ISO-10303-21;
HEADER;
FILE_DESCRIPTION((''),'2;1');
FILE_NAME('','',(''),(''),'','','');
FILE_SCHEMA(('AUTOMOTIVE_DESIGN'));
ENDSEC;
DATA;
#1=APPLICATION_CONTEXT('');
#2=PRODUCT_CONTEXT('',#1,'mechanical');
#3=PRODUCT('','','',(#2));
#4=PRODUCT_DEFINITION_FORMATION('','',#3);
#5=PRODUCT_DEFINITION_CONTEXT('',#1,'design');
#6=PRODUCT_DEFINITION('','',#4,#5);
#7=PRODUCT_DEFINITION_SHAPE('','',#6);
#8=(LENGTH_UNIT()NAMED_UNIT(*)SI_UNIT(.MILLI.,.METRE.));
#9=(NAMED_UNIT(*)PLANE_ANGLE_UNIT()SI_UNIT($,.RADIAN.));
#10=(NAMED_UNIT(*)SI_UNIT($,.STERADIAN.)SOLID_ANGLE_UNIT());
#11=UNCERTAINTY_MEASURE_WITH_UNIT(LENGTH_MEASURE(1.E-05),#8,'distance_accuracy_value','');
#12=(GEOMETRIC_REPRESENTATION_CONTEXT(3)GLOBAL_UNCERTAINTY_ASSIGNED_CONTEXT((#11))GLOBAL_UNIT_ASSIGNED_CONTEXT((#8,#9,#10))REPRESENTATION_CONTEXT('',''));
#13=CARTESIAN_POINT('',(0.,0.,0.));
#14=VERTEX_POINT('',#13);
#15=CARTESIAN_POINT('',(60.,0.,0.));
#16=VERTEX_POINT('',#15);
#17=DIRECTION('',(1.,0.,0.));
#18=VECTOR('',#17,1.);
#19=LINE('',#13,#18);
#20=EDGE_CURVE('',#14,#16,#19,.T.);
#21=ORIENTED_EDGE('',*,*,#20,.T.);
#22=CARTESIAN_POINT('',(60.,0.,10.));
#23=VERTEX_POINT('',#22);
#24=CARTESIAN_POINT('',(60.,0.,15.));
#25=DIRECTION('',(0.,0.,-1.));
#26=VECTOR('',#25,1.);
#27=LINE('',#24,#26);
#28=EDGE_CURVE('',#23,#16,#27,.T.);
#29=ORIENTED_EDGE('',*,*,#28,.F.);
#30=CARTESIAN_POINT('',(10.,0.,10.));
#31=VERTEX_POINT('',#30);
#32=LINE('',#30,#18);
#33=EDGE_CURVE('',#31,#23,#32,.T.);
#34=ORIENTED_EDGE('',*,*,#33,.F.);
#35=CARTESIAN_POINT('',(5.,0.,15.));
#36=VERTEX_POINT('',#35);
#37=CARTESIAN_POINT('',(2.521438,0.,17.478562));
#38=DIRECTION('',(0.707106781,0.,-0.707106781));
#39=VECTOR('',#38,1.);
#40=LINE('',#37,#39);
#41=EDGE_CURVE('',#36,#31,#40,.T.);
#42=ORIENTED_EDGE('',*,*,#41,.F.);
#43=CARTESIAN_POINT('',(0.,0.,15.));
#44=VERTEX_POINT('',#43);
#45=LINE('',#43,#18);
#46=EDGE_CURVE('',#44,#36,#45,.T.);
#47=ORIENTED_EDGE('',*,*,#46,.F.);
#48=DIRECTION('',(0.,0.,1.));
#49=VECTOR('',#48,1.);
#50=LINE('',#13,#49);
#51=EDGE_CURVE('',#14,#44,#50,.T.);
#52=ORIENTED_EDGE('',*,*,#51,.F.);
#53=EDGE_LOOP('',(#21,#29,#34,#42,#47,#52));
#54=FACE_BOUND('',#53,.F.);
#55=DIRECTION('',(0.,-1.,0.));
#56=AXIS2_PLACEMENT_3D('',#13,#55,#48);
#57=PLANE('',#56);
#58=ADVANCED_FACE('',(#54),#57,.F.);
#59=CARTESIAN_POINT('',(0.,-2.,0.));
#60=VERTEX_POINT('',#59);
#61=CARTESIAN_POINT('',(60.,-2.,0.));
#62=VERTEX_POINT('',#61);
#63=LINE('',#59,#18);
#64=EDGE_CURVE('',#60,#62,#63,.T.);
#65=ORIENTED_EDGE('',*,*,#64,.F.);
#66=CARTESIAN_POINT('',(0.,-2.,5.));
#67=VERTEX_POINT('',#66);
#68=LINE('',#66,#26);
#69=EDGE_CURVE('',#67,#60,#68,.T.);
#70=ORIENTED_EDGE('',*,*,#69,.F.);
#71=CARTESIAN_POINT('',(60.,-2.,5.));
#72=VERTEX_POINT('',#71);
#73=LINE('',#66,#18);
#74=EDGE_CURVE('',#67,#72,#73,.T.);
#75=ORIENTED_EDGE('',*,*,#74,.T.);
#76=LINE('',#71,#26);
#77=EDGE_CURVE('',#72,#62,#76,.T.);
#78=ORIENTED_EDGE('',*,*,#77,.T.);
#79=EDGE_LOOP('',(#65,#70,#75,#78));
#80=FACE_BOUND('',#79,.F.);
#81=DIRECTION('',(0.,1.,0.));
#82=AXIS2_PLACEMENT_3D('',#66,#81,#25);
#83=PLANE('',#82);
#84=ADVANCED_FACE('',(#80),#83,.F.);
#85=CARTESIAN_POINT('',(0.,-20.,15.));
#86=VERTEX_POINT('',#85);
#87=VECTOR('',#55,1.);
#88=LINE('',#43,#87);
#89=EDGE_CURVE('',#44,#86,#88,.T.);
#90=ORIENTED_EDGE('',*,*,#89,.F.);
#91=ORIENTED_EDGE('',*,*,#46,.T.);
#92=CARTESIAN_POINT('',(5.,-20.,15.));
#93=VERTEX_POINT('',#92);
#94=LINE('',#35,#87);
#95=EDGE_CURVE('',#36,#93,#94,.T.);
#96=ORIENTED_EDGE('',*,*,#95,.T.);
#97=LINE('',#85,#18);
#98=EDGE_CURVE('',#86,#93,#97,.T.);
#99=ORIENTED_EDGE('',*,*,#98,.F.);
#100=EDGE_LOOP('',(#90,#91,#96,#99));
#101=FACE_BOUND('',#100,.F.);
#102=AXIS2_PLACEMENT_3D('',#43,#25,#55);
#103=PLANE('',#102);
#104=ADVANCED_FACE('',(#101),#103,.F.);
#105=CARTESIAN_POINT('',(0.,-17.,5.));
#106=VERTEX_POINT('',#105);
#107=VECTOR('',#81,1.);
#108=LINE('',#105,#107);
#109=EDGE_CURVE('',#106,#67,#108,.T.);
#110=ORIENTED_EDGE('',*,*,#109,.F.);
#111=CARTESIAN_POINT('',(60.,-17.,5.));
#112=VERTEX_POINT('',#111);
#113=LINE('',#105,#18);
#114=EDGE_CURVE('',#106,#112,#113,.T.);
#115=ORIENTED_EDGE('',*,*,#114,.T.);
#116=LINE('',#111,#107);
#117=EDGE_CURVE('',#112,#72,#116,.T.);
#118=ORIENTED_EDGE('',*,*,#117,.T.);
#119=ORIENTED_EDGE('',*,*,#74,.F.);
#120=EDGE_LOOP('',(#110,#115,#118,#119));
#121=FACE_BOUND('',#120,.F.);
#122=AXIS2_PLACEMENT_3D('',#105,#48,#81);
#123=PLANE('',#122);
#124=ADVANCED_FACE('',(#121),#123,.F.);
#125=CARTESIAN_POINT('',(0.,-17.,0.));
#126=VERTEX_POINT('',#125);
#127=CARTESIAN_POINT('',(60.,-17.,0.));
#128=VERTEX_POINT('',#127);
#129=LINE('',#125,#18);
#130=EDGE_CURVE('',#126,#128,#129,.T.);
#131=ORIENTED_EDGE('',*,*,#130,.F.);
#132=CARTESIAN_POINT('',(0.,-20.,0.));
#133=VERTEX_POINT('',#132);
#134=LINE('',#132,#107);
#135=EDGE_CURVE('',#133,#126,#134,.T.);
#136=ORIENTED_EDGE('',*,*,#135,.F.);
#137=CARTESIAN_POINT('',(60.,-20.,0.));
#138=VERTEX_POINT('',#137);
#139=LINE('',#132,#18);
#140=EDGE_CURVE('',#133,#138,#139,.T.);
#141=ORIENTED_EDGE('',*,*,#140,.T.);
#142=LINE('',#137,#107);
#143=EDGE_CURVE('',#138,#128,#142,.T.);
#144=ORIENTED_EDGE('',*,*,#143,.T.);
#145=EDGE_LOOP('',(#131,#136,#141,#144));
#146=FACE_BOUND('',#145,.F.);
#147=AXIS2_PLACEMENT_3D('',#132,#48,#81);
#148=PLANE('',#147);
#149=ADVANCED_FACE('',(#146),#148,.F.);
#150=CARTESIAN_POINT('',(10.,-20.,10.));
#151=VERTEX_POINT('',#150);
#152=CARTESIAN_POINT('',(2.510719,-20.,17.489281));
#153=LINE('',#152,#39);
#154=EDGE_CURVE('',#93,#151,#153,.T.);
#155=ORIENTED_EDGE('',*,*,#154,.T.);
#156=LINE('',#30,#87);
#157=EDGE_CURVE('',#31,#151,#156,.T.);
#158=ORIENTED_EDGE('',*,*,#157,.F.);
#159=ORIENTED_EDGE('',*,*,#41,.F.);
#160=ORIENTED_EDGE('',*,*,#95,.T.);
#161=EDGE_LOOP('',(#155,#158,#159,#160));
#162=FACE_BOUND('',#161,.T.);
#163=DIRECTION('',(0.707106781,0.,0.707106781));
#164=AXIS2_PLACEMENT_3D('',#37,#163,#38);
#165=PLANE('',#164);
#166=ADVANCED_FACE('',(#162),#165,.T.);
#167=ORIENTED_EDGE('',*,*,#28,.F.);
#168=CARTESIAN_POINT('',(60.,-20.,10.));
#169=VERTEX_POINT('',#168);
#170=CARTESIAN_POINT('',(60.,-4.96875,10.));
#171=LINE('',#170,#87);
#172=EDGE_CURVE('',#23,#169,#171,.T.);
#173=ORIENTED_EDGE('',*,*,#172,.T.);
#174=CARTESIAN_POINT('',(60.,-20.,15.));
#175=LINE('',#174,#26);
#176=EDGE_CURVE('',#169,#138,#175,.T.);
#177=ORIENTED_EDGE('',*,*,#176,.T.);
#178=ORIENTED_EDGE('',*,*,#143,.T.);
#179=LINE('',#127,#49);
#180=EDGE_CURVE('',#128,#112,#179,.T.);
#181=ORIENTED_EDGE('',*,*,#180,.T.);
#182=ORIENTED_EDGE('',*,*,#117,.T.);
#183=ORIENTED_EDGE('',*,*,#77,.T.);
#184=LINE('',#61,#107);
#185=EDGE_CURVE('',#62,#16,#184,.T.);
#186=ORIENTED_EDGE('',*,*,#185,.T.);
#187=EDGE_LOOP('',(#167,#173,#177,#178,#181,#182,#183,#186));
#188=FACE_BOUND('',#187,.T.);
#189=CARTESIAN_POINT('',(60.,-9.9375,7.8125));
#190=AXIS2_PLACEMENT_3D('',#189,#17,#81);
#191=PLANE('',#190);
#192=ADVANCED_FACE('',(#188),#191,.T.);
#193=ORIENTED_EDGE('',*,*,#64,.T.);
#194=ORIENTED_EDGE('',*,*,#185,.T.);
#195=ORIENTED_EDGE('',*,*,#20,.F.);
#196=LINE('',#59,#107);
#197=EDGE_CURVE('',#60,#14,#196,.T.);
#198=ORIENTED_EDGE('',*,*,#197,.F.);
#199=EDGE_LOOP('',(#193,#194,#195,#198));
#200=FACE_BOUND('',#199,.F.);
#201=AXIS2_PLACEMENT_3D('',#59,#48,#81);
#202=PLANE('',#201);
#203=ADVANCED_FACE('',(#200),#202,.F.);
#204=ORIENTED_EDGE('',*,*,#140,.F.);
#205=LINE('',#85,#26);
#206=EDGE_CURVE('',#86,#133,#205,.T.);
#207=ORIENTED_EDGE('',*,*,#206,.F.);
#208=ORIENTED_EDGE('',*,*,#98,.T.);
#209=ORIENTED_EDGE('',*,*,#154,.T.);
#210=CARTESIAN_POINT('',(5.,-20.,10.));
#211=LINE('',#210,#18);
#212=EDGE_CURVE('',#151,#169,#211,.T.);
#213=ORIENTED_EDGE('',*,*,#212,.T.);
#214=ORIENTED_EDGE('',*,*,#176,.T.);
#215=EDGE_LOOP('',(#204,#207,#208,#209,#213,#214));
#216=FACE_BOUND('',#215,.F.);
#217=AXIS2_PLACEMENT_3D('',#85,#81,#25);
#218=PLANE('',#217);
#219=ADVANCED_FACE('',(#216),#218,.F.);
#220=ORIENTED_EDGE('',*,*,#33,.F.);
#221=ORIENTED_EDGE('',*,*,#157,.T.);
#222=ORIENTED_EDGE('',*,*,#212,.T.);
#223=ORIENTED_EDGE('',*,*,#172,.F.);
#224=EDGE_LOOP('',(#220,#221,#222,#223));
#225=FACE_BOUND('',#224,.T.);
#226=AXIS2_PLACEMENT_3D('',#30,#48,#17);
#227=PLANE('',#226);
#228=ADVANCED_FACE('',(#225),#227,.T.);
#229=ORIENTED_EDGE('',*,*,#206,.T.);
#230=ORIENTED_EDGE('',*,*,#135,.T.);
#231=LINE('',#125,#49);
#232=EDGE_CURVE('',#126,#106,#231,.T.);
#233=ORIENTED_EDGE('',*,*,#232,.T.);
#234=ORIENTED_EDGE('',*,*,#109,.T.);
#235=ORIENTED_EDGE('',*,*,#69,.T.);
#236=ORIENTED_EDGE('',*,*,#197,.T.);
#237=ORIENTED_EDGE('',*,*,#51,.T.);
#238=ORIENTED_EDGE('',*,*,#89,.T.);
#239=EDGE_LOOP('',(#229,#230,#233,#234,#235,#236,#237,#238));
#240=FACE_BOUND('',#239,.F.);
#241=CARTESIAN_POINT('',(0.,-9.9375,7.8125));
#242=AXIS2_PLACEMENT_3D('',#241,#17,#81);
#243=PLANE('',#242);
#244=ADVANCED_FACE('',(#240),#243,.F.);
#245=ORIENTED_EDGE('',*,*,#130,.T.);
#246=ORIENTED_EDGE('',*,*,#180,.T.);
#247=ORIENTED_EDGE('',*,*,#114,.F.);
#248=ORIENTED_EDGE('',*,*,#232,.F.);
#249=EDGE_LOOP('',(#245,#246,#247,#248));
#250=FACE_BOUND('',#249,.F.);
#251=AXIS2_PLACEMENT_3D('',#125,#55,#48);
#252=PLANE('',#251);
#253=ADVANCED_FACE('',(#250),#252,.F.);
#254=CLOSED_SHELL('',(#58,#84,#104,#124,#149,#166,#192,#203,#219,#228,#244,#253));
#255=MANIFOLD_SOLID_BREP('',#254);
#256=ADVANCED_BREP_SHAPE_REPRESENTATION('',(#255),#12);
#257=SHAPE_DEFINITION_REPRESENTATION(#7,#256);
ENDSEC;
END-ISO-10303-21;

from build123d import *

# Parameters (mm, degrees)
F1_DEPTH      = 60
F3_DEPTH      = 25
F3_DEPTH_BACK = 25


with BuildPart() as f1:
    # F0 (on Right) → F1 (new body)
    with BuildSketch(Plane.YZ):
        Polygon((-2, 0), (0, 0), (0, 15), (-20, 15), (-20, 0), (-17, 0), (-17, 5), (-2, 5), align=None)
    extrude(amount=F1_DEPTH)

    # F2 (on Front) → F3 (cut, two sides)
    with BuildSketch(Plane.XZ) as f3_sk:
        Polygon((10, 10), (65.6480420604, 10), (62.5214437162, 17.478562476), (2.521437524, 17.478562476), align=None)
    extrude(amount=-F3_DEPTH, mode=Mode.SUBTRACT)
    extrude(f3_sk.sketch, amount=F3_DEPTH_BACK, mode=Mode.SUBTRACT)


solid = f1.part
